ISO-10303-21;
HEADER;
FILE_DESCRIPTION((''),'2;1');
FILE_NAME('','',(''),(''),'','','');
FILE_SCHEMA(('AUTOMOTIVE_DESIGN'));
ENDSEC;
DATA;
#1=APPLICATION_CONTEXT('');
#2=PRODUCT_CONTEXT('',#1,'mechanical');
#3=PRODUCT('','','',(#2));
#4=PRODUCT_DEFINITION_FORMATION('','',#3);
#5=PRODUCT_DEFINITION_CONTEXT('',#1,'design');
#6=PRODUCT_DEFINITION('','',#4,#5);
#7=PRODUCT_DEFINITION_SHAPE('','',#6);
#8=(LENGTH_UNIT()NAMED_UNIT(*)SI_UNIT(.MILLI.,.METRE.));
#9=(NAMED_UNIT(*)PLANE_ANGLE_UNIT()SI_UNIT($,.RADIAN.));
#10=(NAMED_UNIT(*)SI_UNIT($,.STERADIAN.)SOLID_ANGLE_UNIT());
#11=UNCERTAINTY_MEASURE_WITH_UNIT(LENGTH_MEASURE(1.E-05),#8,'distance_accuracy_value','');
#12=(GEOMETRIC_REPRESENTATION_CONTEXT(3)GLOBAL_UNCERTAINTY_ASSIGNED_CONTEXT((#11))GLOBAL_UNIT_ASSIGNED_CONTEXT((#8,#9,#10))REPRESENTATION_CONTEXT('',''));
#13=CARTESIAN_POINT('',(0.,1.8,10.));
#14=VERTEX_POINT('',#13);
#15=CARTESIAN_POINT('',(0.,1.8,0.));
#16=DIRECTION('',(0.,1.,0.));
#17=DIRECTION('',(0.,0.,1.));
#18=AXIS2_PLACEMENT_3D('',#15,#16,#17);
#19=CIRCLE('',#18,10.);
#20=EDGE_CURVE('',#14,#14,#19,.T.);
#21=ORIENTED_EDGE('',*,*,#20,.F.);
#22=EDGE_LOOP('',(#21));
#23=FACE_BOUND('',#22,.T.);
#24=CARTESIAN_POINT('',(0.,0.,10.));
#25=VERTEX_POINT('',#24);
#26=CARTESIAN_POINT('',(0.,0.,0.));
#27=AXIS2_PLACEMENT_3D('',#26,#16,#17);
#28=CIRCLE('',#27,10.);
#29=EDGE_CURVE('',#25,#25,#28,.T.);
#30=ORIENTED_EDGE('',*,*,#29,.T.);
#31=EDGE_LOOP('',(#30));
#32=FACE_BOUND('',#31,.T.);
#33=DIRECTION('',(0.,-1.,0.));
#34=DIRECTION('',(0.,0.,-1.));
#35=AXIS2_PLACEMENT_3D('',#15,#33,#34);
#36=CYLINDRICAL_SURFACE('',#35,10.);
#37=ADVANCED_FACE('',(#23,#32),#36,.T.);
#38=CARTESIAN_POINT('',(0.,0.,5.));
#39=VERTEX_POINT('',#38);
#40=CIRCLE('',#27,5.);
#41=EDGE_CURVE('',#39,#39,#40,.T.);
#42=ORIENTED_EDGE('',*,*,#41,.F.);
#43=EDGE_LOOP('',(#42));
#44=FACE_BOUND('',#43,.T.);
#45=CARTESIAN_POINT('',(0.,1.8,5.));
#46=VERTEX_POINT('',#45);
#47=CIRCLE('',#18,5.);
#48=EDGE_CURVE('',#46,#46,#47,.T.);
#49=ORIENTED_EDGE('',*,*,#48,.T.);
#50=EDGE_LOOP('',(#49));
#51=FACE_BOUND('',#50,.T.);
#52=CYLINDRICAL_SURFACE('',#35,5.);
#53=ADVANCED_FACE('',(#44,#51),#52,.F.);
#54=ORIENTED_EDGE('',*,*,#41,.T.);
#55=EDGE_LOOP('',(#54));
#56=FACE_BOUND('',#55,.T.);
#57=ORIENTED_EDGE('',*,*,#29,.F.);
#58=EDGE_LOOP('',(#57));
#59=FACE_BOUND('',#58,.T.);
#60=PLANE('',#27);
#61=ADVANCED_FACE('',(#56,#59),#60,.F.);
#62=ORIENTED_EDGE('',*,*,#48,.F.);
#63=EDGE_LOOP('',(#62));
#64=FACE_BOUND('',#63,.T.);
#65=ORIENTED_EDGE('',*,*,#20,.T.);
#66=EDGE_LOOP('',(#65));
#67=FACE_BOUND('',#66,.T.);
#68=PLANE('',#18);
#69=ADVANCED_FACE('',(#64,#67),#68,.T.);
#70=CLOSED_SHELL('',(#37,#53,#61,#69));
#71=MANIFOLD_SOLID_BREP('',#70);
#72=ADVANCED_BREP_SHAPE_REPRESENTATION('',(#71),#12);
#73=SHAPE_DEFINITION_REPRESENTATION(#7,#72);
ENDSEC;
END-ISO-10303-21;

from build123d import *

# Parameters (mm, degrees)
SKETCH_1_R      = 10
SKETCH_1_R_2    = 5
EXTRUDE_1_DEPTH = 1.8


with BuildPart() as part:
    # Эскиз1 → Бобышка-Вытянуть1 (new body)
    with BuildSketch(Plane(origin=(0, 0, 0), x_dir=(1, 0, 0), z_dir=(0, 1, 0))):
        with Locations(Location((0, 0, 0), (0, 0, 270))):
            Circle(SKETCH_1_R)
        with Locations(Location((0, 0, 0), (0, 0, 270))):
            Circle(SKETCH_1_R_2, mode=Mode.SUBTRACT)
    extrude(amount=EXTRUDE_1_DEPTH)


solid = part.part
